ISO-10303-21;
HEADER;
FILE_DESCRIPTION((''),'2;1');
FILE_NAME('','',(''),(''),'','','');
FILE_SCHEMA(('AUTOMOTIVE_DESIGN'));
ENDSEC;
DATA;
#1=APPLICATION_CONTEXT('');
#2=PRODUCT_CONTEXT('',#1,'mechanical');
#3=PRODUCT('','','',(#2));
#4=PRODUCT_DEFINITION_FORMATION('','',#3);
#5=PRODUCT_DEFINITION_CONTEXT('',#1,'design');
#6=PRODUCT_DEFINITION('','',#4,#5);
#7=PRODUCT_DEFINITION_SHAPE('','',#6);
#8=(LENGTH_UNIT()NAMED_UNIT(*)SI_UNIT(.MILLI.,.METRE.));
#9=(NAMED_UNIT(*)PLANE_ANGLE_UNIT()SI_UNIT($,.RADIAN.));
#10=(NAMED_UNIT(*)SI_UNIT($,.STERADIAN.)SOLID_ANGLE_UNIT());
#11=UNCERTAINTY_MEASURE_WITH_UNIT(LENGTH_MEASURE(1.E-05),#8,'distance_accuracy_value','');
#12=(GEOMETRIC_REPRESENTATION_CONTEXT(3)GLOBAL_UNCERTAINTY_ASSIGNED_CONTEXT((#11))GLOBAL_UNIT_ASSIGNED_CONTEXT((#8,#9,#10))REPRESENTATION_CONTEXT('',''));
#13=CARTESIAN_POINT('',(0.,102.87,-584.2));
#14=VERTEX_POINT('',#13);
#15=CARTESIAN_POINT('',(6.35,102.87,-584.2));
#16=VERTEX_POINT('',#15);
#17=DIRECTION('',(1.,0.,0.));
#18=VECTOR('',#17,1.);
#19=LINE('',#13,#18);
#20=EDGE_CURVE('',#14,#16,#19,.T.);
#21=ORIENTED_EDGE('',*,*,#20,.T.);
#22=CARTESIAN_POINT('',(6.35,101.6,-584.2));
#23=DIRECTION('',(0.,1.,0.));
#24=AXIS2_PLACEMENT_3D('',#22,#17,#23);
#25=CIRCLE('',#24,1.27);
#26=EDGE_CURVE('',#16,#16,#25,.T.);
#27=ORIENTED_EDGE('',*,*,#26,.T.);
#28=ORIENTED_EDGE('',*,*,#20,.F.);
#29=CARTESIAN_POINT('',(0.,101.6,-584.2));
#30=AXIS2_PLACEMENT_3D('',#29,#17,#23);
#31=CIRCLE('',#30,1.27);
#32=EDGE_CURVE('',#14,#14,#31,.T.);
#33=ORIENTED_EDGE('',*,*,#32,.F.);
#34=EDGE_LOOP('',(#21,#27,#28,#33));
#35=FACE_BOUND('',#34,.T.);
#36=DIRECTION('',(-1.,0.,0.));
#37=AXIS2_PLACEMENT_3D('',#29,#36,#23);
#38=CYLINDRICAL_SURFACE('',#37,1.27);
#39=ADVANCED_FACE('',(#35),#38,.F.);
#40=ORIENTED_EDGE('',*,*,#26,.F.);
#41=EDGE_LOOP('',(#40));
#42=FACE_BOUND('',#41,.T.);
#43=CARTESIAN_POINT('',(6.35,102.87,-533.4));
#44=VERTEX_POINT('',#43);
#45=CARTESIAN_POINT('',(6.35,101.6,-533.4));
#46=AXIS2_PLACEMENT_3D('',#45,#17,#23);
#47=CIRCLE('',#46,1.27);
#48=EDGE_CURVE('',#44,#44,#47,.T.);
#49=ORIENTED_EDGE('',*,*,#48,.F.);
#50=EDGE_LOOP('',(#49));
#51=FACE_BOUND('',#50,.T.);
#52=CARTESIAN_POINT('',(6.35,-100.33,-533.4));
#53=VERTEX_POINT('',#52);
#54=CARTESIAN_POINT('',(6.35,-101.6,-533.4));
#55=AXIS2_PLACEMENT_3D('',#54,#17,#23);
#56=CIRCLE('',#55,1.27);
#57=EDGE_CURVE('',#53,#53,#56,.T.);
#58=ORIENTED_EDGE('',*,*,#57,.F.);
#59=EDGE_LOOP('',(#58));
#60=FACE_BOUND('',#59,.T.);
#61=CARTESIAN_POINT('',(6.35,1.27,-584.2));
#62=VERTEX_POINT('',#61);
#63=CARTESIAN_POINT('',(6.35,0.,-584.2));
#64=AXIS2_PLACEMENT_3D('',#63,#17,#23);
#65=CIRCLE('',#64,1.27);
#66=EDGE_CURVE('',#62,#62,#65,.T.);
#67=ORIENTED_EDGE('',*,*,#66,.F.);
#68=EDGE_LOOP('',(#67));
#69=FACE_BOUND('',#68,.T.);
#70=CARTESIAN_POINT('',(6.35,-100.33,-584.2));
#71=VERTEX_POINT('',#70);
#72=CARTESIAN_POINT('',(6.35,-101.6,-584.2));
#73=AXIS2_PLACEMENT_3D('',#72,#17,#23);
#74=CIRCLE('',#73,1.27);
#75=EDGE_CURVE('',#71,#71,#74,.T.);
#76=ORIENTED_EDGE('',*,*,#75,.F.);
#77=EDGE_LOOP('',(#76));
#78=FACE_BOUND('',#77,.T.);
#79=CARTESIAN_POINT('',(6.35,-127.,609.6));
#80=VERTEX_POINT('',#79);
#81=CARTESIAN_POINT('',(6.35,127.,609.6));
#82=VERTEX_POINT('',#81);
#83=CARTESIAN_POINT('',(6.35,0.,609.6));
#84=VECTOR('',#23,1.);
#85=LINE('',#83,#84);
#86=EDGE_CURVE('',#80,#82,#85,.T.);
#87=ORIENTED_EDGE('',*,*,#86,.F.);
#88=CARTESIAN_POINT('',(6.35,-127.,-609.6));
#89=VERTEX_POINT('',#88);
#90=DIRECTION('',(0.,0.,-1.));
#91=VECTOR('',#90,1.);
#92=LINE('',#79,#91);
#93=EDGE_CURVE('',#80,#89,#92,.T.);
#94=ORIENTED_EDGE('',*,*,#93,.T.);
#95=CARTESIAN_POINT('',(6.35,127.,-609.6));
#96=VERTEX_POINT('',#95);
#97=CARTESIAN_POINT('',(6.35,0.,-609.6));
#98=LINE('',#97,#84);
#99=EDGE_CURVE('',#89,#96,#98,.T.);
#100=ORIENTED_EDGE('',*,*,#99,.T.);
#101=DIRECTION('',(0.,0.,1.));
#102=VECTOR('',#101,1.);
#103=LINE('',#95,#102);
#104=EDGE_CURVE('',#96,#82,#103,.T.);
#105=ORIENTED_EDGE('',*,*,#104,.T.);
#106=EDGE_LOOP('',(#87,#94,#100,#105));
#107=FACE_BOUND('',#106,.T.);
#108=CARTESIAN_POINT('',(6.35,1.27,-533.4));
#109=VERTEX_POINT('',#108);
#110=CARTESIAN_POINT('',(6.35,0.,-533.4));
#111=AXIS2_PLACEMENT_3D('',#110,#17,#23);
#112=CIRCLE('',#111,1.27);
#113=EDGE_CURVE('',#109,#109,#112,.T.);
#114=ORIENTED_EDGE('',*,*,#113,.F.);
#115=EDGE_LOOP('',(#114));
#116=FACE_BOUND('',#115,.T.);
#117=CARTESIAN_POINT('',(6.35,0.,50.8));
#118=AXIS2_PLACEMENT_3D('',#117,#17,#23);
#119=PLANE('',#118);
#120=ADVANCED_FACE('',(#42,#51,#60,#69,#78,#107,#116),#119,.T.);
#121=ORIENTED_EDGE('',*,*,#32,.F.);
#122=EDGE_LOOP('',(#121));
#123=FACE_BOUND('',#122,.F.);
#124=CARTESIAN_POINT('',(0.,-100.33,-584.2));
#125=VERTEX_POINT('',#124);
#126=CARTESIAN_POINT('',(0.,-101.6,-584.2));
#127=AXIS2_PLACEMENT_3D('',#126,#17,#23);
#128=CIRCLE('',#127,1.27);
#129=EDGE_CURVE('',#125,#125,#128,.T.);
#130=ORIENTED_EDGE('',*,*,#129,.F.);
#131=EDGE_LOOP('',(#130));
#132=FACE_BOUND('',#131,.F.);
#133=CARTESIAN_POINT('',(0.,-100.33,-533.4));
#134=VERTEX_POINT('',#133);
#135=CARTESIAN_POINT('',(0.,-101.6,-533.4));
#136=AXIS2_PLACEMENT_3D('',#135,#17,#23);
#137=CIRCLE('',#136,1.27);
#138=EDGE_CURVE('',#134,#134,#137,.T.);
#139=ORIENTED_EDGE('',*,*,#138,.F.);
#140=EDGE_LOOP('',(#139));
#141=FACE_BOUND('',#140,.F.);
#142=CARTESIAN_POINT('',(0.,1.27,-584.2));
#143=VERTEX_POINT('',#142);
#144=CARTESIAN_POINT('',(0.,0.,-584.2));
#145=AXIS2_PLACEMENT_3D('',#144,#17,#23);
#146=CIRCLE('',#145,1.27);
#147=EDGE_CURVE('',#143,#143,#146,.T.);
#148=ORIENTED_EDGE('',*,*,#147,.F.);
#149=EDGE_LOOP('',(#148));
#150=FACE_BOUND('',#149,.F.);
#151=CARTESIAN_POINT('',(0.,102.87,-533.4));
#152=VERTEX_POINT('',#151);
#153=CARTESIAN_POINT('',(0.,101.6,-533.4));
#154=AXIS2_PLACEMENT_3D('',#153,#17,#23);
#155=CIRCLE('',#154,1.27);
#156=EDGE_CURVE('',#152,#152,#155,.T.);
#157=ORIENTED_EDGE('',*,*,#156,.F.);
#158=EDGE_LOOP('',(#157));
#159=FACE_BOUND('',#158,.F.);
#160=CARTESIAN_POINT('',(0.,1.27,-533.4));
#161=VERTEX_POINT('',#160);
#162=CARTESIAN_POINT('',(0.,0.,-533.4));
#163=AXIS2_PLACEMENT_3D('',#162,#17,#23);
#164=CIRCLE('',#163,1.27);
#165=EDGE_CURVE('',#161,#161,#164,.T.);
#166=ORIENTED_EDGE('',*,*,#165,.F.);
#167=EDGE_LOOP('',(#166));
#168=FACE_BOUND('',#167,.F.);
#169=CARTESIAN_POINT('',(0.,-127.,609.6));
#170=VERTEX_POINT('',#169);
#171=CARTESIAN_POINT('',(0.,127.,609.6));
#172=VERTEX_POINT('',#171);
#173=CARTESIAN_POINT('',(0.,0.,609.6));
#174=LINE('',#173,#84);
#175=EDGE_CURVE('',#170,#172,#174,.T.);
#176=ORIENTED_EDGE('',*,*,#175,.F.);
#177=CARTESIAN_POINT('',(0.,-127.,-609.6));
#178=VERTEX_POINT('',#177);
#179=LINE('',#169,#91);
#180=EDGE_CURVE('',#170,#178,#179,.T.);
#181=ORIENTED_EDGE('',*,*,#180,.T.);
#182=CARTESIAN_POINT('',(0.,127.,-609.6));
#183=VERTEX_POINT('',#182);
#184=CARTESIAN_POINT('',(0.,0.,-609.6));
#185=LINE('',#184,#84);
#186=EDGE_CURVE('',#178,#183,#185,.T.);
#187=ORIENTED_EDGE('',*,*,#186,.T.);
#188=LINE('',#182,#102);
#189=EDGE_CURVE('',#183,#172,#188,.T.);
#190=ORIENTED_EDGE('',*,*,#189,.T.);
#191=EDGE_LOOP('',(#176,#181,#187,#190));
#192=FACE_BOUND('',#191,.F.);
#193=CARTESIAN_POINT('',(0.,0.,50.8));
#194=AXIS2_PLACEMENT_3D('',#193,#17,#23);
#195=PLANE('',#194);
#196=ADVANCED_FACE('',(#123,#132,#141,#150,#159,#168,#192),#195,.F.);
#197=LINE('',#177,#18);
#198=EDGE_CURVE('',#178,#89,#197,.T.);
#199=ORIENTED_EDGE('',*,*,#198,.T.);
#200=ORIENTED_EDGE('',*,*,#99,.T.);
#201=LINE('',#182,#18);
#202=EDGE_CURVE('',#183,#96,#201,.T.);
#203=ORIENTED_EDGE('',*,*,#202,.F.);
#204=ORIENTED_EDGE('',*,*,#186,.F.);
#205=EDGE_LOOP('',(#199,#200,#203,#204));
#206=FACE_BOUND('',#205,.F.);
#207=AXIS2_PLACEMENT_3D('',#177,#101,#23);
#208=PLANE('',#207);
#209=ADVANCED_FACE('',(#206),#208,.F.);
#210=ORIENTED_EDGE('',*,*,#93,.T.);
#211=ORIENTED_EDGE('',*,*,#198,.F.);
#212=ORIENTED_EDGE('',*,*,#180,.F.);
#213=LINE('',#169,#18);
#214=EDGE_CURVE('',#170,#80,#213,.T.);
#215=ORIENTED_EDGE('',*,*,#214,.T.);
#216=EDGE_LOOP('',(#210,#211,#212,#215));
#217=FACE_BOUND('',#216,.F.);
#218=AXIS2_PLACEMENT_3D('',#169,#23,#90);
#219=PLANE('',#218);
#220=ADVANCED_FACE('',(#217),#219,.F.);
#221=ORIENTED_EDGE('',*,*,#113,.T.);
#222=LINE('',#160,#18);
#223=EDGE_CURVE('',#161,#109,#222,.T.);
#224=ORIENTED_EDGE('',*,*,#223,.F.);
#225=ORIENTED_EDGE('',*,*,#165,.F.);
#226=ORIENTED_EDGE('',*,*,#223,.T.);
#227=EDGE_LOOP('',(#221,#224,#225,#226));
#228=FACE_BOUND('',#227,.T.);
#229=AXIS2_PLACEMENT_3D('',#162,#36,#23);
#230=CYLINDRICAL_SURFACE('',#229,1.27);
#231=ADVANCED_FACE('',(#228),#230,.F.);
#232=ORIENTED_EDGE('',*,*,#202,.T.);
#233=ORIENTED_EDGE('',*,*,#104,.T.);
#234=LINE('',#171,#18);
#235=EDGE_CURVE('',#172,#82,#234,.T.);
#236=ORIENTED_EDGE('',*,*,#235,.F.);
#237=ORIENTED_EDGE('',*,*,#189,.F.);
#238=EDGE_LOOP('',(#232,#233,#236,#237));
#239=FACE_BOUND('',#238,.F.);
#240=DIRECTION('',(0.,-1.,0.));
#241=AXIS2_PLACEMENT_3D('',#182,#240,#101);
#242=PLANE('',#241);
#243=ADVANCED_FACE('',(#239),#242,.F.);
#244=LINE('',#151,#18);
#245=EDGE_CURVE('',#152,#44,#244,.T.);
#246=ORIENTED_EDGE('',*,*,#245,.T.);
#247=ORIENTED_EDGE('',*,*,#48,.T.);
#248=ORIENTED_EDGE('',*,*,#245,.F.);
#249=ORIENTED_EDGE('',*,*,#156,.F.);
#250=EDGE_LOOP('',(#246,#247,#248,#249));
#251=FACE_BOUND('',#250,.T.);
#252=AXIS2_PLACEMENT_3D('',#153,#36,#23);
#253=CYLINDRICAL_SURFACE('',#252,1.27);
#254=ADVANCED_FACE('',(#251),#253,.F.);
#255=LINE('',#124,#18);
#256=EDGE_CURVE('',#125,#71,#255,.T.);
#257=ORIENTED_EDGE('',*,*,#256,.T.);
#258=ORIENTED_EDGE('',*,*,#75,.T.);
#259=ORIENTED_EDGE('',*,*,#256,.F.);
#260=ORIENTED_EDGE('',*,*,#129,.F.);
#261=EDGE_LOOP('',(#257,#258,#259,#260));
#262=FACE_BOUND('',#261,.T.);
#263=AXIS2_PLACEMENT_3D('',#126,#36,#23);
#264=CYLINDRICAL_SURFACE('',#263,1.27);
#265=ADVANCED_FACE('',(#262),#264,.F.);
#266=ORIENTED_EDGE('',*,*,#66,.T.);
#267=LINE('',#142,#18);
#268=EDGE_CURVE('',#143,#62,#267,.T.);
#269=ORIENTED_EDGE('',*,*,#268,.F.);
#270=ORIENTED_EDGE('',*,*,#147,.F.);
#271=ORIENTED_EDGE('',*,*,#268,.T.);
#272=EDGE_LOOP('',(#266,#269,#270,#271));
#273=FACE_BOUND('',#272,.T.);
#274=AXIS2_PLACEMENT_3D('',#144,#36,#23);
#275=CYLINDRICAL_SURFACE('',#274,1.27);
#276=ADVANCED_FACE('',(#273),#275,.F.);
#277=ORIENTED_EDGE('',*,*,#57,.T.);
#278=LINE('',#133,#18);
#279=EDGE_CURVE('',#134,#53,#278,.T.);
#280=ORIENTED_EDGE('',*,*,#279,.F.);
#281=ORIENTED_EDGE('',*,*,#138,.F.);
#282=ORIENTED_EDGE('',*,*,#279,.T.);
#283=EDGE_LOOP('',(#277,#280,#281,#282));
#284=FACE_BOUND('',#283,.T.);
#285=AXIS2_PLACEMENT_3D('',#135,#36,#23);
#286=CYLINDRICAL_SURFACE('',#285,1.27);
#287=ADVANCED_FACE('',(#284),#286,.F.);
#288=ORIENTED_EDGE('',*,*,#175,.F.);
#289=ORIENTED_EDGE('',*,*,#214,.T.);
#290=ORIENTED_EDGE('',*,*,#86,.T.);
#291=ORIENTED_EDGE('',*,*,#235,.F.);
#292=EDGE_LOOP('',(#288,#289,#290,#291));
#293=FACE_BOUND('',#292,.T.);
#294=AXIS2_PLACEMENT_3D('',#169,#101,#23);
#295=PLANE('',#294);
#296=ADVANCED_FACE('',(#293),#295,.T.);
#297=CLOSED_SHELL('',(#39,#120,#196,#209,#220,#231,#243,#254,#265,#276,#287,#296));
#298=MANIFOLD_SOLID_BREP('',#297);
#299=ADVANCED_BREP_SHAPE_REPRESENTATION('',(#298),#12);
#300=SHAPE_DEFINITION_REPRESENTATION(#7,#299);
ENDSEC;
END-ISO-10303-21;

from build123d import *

# Parameters (mm, degrees)
F0_W     = 254
F0_H     = 1117.6
F0_H_2   = 101.6
F0_R     = 1.27
F1_DEPTH = 6.35


with BuildPart() as f1:
    # F0 (on Right) → F1 (new body)
    with BuildSketch(Plane.YZ):
        with Locations((0, 50.8)):
            Rectangle(F0_W, F0_H)
        with Locations((0, -558.8)):
            Rectangle(F0_W, F0_H_2)
        with Locations((-101.6, -584.2)):
            Circle(F0_R, mode=Mode.SUBTRACT)
        with Locations((-101.6, -533.4)):
            Circle(F0_R, mode=Mode.SUBTRACT)
        with Locations((0, -584.2)):
            Circle(F0_R, mode=Mode.SUBTRACT)
        with Locations((0, -533.4)):
            Circle(F0_R, mode=Mode.SUBTRACT)
        with Locations((101.6, -584.2)):
            Circle(F0_R, mode=Mode.SUBTRACT)
        with Locations((101.6, -533.4)):
            Circle(F0_R, mode=Mode.SUBTRACT)
    extrude(amount=F1_DEPTH)


solid = f1.part
